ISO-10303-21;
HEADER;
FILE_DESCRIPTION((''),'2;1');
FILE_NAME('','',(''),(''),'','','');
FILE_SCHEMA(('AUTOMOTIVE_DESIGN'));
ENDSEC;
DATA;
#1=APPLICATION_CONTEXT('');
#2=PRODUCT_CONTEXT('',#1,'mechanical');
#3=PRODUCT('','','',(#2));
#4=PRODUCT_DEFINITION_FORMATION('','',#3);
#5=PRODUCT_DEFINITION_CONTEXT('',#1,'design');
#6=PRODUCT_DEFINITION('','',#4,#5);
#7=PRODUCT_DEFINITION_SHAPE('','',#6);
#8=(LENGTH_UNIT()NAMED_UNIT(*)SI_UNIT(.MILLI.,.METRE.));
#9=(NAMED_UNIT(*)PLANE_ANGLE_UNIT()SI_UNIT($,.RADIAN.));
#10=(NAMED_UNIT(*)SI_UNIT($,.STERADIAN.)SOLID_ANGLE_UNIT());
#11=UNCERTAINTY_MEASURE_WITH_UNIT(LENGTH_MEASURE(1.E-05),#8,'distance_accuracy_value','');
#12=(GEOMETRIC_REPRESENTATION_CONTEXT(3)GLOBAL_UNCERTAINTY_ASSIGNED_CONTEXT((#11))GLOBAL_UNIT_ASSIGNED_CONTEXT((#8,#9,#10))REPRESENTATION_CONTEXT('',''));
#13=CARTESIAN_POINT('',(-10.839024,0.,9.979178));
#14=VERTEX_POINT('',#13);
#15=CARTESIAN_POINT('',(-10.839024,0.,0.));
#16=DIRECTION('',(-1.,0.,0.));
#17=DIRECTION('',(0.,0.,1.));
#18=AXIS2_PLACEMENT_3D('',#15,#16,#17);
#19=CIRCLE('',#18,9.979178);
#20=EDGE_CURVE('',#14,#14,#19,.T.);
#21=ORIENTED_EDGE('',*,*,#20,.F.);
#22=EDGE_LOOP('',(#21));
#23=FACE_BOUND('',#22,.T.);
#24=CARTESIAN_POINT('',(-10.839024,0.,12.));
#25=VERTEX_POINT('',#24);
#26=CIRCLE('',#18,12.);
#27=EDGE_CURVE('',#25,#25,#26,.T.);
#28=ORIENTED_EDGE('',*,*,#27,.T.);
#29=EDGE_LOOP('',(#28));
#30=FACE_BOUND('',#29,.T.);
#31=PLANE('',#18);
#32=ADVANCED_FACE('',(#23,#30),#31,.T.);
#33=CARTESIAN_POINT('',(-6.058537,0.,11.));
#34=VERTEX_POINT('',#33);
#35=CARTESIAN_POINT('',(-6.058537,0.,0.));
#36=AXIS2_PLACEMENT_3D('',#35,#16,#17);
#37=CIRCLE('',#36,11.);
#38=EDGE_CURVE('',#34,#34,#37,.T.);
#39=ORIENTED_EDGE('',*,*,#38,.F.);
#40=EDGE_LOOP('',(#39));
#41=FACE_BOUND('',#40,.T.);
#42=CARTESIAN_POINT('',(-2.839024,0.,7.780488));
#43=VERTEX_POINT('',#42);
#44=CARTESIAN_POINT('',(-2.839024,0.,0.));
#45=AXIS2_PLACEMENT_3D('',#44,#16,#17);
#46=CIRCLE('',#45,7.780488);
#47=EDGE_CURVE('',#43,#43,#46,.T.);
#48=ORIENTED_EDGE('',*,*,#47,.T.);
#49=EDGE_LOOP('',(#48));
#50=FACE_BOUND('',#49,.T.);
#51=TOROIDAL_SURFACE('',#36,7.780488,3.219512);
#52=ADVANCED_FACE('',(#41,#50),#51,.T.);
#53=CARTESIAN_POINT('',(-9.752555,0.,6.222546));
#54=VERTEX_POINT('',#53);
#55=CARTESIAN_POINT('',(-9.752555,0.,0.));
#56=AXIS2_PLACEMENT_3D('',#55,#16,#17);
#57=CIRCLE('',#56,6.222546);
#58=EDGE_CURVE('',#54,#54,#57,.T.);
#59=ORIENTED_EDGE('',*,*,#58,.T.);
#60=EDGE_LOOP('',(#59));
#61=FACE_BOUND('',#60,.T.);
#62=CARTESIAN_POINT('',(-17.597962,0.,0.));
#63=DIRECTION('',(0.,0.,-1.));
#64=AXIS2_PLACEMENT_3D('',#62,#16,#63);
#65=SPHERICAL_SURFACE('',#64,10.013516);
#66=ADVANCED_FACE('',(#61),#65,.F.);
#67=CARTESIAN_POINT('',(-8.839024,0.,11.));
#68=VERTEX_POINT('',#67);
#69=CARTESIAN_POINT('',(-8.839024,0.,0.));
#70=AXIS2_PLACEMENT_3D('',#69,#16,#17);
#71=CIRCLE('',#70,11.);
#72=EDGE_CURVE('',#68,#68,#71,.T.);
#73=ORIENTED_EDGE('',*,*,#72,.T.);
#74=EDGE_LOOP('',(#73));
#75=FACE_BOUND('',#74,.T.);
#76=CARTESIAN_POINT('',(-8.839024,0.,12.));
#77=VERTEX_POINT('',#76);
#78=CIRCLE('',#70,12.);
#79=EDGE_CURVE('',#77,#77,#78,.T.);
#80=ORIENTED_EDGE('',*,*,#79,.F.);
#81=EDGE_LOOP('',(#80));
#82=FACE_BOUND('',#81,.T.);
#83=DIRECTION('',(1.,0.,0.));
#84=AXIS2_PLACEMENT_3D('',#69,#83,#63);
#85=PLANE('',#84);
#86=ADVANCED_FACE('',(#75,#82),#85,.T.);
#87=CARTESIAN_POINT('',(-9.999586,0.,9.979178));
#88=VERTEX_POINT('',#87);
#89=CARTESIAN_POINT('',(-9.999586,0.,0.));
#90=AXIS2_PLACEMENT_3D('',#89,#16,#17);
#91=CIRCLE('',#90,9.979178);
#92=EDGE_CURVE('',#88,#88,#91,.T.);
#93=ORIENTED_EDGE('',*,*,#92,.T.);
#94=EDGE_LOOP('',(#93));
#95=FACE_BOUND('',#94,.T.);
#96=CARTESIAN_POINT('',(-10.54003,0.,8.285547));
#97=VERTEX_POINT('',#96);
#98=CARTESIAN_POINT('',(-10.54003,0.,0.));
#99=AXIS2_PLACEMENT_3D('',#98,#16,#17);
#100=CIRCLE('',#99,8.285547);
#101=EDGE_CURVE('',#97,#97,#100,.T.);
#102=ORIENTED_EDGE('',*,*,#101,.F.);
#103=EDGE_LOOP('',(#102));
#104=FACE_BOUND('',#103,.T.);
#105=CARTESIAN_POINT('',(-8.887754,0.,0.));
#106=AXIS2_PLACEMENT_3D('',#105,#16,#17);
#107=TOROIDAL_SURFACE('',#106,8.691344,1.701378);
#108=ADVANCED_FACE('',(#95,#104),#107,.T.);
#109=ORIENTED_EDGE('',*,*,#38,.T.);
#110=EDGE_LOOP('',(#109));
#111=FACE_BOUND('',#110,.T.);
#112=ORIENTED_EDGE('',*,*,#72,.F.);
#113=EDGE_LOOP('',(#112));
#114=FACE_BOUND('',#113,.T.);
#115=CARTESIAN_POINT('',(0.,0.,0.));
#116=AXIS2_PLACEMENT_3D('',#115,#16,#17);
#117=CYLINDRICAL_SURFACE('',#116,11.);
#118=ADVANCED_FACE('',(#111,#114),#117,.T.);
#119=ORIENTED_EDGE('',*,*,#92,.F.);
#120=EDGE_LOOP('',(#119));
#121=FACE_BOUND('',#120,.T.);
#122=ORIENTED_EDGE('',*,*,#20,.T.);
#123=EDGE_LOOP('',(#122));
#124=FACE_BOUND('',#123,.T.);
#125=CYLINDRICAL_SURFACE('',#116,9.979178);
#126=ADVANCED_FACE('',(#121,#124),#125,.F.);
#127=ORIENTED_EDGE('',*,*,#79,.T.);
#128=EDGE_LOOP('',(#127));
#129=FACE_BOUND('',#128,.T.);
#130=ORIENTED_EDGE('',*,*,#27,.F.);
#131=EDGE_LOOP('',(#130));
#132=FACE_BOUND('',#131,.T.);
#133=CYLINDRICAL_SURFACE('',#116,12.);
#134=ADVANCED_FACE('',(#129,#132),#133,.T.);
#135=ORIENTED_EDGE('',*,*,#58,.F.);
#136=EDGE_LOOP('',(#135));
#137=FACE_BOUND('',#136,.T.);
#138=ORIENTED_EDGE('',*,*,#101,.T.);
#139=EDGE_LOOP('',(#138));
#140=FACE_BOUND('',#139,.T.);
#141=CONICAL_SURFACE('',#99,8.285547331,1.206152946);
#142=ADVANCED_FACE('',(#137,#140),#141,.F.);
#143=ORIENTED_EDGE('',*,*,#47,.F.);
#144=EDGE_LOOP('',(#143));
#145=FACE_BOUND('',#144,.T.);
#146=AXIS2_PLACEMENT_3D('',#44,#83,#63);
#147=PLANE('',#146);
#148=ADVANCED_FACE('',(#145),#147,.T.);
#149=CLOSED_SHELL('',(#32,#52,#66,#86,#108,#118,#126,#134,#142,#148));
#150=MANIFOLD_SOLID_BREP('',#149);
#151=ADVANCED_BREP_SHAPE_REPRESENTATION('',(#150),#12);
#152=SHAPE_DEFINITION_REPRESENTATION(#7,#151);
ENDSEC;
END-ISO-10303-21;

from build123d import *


with BuildPart() as part:
    # Sketch1 → Revolve1 (revolve)
    with BuildSketch(Plane(origin=(0, 0, 0), x_dir=(1, 0, 0), z_dir=(0, 1, 0)), mode=Mode.PRIVATE) as revolve1_sk:
        with BuildLine():
            Line((-10.83902439, 12), (-10.83902439, 9.979177887))
            Line((-10.83902439, 9.979177887), (-9.99958636, 9.979177887))
            ThreePointArc((-9.99958636, 9.979177887), (-10.508608574, 9.208564683), (-10.540029762, 8.285547331))
            Line((-10.540029762, 8.285547331), (-9.752554563, 6.222546257))
            ThreePointArc((-9.752554563, 6.222546257), (-8.141995388, 3.29472213), (-7.584446232, 0))
            Line((-7.584446232, 0), (-2.83902439, 0))
            Line((-2.83902439, 0), (-2.83902439, 7.780487805))
            ThreePointArc((-2.83902439, 7.780487805), (-3.78199768, 10.05702671), (-6.058536585, 11))
            Line((-6.058536585, 11), (-8.83902439, 11))
            Line((-8.83902439, 11), (-8.83902439, 12))
            Line((-8.83902439, 12), (-10.83902439, 12))
        make_face()
    revolve(revolve1_sk.sketch.rotate(Axis((0, 0, 0), (1, 0, 0)), 180), axis=Axis((0, 0, 0), (1, 0, 0)))


solid = part.part
